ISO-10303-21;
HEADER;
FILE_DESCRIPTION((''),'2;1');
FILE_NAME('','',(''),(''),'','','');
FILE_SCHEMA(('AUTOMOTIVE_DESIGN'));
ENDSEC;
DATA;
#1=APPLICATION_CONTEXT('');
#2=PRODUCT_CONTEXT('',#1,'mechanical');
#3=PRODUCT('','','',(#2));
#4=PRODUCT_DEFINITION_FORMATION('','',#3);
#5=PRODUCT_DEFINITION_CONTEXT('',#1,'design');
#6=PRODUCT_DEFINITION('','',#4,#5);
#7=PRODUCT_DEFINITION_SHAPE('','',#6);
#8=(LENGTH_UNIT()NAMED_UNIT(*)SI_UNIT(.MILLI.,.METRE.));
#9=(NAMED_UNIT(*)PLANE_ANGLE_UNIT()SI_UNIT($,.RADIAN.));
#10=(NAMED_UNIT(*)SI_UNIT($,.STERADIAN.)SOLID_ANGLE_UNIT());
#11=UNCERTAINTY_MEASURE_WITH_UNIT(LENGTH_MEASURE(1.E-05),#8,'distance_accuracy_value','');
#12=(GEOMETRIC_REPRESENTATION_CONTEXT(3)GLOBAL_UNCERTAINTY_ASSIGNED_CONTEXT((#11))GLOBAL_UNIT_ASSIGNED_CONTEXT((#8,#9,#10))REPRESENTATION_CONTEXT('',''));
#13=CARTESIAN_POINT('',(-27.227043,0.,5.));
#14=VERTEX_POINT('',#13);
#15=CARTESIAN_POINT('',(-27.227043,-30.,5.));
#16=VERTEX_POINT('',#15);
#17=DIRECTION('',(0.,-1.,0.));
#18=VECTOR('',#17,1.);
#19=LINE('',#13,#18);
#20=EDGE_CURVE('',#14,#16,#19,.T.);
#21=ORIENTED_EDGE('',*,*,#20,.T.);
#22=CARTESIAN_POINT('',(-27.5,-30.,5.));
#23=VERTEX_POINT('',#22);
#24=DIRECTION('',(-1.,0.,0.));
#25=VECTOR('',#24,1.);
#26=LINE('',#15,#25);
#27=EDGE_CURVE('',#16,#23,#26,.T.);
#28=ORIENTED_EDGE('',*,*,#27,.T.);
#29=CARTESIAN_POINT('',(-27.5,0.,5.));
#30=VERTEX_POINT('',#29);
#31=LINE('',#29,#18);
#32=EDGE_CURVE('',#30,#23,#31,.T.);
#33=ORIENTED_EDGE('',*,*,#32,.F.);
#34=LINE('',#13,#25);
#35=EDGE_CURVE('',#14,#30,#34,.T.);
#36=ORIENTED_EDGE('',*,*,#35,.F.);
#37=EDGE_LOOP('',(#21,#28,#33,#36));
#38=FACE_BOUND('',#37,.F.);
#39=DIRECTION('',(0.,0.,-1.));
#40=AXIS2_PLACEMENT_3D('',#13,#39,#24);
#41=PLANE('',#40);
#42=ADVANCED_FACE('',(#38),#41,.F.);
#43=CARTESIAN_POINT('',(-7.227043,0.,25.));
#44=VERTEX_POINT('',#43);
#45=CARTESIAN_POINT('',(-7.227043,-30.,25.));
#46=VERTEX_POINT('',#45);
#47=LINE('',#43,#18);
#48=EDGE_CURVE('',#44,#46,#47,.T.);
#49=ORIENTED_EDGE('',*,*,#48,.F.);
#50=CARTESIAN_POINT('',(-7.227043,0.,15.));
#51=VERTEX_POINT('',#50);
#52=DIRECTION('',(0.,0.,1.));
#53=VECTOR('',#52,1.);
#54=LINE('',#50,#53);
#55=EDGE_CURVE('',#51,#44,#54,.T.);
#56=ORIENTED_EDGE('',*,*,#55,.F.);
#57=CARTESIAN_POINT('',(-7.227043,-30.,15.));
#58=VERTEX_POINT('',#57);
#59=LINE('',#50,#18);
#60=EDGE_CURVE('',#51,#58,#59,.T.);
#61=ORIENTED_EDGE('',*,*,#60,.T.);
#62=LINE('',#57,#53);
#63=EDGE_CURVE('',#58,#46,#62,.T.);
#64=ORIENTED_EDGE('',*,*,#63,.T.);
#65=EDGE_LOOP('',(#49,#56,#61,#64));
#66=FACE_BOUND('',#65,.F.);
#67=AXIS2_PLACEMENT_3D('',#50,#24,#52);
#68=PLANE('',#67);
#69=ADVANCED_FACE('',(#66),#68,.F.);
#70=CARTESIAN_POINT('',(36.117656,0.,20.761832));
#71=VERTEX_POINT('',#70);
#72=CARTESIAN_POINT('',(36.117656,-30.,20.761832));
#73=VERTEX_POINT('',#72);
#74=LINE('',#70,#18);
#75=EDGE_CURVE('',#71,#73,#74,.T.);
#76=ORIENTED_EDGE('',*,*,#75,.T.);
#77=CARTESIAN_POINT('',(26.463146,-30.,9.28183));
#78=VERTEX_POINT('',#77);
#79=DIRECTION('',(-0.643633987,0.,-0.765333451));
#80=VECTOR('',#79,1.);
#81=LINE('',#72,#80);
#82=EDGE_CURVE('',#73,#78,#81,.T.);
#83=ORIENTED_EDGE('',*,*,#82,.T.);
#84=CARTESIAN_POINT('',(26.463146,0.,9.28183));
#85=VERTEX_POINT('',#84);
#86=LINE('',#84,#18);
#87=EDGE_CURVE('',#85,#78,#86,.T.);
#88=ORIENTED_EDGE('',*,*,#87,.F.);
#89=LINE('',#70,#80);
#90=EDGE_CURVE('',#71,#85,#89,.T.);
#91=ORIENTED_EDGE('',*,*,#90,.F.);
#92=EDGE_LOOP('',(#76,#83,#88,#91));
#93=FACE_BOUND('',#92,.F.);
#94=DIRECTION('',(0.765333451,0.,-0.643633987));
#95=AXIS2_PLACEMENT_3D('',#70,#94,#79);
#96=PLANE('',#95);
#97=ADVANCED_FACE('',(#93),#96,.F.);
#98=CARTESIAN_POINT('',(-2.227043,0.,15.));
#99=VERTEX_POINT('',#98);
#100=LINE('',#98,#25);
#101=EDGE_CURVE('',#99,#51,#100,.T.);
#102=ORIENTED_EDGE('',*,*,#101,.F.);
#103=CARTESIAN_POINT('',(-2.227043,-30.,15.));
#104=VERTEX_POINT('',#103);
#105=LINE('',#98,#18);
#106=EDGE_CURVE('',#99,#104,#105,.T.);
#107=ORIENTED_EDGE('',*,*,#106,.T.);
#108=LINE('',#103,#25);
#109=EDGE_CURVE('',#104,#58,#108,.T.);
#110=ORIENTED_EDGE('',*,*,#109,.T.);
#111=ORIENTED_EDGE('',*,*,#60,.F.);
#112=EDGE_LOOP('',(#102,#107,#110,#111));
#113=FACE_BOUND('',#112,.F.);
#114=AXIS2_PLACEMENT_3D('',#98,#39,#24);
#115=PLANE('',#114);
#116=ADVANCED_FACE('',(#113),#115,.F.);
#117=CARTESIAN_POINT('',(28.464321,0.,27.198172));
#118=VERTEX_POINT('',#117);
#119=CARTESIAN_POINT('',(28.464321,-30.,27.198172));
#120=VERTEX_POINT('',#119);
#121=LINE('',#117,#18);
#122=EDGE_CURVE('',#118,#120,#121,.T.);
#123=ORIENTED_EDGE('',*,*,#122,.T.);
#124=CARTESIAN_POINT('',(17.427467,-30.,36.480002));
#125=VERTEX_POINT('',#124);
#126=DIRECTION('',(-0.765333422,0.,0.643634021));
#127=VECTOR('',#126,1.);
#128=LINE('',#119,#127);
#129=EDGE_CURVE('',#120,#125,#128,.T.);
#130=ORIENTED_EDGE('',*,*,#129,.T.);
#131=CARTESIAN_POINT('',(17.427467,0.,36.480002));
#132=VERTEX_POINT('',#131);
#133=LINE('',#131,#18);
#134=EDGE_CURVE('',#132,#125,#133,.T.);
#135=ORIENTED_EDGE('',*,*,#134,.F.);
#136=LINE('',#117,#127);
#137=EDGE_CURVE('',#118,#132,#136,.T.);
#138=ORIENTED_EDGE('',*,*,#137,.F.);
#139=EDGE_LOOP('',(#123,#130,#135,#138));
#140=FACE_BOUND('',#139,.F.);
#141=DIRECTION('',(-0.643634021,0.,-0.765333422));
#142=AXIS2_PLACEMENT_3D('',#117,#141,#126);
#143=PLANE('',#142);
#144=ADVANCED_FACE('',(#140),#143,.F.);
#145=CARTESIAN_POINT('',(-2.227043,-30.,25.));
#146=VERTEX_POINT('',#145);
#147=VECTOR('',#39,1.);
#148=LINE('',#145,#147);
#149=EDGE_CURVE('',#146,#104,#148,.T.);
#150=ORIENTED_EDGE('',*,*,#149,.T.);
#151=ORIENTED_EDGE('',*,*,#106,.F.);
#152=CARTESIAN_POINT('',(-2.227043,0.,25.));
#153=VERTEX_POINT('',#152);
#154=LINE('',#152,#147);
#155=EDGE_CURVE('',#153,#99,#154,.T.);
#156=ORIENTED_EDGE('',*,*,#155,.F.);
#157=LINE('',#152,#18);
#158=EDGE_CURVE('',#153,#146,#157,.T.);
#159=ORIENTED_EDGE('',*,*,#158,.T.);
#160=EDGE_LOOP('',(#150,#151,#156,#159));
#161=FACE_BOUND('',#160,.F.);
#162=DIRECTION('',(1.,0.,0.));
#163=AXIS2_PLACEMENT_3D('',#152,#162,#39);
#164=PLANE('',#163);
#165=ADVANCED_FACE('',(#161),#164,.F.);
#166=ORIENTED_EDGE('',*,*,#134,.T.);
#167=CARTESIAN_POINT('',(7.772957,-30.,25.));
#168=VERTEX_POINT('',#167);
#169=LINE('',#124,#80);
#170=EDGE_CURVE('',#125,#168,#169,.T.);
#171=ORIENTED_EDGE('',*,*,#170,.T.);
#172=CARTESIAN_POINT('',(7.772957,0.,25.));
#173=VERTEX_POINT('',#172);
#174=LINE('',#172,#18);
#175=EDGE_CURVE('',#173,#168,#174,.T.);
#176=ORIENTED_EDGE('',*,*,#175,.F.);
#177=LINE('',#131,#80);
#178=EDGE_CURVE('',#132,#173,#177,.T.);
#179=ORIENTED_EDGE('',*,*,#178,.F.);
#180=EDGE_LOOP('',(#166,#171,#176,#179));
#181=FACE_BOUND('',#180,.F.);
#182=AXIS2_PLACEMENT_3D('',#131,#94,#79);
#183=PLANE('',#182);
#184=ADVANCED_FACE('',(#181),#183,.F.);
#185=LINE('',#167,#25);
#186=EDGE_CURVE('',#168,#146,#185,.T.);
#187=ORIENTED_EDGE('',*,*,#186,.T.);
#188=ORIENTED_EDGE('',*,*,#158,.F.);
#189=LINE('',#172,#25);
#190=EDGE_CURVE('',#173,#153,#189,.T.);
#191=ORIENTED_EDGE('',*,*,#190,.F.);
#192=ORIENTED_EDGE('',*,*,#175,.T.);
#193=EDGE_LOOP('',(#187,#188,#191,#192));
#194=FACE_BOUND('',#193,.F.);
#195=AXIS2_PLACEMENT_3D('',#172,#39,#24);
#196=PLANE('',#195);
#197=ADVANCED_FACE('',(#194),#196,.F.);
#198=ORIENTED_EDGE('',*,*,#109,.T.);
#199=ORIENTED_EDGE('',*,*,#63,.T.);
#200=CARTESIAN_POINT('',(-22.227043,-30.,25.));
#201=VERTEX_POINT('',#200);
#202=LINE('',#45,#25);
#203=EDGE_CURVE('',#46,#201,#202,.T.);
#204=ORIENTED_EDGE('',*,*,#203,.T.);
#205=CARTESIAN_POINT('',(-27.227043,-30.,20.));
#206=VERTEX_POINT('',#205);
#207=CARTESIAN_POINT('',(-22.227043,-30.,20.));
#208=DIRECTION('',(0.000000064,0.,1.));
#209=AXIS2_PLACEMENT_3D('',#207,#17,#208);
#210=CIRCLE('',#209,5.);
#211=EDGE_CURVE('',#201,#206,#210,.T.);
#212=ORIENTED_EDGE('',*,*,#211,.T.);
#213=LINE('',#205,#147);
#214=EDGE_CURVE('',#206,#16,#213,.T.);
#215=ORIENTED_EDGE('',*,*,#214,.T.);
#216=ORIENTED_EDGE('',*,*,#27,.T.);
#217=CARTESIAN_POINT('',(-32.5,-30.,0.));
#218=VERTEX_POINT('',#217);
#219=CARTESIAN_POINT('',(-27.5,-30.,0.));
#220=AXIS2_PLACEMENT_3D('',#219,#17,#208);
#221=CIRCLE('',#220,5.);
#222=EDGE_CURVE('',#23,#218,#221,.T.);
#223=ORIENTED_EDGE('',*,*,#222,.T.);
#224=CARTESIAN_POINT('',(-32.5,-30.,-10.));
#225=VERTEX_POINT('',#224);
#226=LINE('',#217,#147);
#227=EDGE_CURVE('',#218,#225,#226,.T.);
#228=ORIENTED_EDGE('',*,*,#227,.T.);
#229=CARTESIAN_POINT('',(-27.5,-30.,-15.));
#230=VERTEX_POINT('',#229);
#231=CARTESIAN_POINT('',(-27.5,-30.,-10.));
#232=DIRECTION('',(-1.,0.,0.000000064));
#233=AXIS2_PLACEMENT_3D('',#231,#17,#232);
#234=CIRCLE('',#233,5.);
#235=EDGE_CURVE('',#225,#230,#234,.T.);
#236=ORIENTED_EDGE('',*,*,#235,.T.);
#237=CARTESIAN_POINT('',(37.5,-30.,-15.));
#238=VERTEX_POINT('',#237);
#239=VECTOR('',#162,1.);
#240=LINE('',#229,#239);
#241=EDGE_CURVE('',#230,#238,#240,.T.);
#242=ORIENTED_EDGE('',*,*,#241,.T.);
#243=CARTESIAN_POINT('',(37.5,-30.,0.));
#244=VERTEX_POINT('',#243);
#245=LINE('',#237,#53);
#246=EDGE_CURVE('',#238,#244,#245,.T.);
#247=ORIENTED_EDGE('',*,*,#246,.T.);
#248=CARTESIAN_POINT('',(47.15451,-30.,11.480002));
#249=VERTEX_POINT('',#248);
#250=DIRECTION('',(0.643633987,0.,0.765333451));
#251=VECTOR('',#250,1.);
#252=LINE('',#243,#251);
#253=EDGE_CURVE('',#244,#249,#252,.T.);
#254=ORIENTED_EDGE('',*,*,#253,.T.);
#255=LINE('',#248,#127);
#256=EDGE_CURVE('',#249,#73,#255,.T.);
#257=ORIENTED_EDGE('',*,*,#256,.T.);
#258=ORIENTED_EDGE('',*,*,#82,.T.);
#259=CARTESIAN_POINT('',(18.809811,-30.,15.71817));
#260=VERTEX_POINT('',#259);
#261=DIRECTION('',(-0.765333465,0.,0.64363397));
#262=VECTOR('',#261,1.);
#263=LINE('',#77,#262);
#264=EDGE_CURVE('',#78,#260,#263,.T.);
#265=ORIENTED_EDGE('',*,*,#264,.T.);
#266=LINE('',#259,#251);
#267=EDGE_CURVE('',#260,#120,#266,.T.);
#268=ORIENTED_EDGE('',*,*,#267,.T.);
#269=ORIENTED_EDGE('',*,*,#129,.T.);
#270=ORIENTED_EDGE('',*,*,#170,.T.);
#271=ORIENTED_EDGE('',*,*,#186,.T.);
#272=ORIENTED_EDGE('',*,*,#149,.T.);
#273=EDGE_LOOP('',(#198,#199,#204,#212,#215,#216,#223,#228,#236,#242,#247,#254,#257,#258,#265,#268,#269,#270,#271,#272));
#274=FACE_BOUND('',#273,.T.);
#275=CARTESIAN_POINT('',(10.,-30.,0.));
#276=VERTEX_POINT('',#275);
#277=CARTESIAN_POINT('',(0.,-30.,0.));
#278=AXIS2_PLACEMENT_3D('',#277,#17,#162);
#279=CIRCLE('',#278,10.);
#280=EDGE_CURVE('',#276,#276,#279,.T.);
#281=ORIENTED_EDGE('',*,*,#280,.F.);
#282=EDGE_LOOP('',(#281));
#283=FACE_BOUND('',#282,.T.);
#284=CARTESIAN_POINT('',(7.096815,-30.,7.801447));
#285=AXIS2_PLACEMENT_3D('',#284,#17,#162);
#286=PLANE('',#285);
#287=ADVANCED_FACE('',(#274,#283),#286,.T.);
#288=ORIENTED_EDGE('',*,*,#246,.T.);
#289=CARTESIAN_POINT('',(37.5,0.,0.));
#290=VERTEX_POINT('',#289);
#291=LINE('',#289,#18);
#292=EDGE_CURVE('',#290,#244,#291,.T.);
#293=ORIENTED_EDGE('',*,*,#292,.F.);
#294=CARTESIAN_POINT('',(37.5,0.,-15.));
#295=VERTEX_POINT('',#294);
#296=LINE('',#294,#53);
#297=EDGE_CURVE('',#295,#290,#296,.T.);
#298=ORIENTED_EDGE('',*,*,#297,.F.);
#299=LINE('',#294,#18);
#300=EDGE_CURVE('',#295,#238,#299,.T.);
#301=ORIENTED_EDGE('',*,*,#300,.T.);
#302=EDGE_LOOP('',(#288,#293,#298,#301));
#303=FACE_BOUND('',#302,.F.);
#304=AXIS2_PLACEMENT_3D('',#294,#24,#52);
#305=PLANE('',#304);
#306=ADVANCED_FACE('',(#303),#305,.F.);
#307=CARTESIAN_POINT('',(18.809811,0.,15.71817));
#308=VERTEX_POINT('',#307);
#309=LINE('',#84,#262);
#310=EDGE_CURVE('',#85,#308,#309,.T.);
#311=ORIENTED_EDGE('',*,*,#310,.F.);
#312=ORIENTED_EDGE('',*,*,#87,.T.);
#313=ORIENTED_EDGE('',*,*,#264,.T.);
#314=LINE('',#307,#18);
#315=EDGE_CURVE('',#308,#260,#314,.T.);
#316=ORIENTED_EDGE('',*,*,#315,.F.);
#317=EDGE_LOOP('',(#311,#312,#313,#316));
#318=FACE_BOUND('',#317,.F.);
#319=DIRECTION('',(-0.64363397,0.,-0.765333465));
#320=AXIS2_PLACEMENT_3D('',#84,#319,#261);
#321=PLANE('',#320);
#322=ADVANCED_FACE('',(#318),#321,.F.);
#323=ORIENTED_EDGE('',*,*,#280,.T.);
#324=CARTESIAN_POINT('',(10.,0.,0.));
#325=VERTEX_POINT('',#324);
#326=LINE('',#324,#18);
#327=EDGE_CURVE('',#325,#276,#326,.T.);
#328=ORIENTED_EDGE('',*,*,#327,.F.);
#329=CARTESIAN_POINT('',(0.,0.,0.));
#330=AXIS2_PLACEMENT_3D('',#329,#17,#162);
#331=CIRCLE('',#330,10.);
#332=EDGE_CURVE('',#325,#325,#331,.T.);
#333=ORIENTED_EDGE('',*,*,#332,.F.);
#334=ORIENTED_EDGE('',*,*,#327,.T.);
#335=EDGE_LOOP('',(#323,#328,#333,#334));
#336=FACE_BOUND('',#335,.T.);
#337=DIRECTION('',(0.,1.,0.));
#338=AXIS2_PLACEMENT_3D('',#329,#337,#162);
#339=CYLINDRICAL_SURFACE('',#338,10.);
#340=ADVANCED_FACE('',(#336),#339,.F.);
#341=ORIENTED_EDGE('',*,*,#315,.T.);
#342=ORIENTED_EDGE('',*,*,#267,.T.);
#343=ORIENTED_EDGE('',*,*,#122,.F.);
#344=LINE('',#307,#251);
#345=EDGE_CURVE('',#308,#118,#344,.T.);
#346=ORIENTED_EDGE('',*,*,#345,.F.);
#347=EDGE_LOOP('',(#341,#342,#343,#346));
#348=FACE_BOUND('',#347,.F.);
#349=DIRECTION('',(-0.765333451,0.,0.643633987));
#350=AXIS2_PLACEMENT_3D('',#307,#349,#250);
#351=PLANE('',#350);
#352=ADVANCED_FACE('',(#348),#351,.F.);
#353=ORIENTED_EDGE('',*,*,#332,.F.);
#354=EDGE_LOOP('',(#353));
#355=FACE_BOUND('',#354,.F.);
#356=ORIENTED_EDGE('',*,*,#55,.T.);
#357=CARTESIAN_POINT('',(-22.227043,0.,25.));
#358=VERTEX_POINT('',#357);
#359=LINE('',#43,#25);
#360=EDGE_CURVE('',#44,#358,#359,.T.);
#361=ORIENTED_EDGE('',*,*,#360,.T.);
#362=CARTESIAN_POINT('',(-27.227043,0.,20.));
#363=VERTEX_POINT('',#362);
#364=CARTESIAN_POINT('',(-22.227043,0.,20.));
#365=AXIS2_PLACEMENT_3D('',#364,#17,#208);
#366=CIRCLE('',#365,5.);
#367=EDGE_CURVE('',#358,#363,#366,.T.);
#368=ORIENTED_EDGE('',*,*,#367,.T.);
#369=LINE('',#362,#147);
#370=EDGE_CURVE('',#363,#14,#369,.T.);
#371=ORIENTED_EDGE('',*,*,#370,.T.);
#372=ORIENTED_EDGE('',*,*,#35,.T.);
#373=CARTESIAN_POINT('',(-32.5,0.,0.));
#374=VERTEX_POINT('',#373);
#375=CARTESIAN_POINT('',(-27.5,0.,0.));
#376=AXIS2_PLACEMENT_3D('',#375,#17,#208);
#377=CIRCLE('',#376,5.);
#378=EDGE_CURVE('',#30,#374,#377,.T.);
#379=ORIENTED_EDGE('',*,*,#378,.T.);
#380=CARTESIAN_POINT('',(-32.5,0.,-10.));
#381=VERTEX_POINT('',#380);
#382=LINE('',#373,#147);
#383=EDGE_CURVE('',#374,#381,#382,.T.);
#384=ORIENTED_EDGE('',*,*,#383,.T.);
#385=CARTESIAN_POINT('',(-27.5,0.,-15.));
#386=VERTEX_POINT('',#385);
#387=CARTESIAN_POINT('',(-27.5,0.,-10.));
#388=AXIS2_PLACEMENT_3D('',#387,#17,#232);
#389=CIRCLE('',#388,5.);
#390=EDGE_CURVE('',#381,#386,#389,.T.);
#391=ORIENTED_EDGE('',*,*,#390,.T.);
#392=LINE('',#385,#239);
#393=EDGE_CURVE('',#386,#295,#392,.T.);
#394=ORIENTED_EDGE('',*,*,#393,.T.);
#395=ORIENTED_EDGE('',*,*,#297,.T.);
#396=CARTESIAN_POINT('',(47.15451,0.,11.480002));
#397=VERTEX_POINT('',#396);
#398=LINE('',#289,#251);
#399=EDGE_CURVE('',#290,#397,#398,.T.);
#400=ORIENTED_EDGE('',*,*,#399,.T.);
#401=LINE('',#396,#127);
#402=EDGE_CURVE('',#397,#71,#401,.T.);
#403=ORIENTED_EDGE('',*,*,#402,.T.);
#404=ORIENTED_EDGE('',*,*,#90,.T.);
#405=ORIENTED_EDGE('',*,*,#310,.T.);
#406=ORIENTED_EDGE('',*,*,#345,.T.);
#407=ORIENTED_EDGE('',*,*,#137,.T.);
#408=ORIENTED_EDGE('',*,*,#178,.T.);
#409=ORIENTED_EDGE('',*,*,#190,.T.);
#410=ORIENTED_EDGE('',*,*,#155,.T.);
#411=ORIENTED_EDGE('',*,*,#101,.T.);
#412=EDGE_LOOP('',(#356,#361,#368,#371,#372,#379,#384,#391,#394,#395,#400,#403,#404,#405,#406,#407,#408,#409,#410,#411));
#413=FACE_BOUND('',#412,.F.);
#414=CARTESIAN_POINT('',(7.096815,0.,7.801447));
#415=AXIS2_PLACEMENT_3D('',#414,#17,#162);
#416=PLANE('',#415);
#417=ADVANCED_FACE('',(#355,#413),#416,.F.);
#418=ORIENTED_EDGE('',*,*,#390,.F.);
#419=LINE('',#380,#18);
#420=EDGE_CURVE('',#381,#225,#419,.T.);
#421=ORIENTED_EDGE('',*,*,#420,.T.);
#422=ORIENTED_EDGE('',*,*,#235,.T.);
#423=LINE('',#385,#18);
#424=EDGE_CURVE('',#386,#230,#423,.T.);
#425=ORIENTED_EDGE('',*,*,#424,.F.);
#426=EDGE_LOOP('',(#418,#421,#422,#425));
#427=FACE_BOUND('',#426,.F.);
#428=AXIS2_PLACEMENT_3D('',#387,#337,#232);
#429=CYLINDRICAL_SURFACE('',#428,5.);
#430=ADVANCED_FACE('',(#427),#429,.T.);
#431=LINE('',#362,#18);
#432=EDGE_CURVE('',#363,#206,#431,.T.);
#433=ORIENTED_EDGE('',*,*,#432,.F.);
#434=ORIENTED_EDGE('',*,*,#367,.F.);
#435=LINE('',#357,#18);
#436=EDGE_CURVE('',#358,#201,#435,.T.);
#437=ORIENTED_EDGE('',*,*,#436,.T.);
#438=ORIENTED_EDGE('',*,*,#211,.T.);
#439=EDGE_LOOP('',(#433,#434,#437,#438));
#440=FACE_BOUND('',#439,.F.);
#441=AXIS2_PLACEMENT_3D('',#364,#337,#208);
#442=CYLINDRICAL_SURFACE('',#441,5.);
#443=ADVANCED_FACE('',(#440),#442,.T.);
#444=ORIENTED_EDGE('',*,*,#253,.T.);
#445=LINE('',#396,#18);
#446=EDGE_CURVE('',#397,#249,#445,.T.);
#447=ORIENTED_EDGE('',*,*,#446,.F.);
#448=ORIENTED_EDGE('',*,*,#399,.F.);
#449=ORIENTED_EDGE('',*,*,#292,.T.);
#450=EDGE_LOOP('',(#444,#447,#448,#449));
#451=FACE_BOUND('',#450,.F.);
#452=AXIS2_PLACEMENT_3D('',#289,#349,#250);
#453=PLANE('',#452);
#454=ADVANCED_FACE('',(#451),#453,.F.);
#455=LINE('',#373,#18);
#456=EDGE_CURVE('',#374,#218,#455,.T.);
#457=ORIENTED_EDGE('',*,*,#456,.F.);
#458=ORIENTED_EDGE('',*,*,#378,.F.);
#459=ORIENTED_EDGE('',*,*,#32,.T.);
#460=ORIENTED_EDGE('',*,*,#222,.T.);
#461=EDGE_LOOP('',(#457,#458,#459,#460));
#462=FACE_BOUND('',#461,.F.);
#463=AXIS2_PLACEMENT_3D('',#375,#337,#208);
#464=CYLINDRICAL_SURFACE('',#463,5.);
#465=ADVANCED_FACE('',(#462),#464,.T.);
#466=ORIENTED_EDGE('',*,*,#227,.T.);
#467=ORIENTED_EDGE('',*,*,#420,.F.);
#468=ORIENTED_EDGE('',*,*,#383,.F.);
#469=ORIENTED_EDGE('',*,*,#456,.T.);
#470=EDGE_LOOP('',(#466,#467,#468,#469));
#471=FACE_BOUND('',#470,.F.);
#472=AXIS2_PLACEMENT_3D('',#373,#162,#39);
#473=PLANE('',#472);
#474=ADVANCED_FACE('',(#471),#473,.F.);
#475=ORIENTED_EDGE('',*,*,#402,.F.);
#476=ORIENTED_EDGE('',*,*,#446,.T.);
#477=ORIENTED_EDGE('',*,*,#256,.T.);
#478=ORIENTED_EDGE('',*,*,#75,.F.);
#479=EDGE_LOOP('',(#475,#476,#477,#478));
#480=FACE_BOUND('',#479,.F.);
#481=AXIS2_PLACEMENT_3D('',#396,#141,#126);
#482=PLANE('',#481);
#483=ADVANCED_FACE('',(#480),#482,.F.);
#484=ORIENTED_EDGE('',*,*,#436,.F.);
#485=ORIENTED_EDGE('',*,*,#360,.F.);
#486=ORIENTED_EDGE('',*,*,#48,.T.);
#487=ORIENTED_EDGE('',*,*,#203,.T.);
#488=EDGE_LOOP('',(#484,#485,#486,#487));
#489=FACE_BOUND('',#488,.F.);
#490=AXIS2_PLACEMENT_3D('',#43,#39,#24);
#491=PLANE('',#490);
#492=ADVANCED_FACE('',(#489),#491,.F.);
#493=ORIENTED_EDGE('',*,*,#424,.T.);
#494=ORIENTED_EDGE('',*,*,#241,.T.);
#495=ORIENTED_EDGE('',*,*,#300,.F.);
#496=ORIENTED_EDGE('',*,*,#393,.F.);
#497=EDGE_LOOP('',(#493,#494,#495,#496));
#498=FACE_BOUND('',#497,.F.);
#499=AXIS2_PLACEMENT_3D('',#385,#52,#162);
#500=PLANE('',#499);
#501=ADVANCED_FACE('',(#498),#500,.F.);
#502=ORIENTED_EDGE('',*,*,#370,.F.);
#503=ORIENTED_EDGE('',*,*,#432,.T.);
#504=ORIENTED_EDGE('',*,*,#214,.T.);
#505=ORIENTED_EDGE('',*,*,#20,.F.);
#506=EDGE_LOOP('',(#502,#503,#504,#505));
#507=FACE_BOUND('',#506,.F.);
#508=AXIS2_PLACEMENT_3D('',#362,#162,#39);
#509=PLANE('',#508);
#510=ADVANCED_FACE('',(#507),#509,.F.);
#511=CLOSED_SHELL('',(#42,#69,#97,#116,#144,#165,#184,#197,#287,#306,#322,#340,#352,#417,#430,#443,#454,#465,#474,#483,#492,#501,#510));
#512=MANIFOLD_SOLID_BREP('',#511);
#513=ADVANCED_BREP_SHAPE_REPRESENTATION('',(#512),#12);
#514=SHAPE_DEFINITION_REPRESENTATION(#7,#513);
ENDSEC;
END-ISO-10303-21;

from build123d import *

# Parameters (mm, degrees)
F0_R     = 10
F1_DEPTH = 30


with BuildPart() as f1:
    # F0 (on Front) → F1 (new body)
    with BuildSketch(Plane.XZ):
        with BuildLine():
            ThreePointArc((-32.5, -10), (-31.035534, -13.535534), (-27.5, -15))
            Line((-27.5, -15), (37.5, -15))
            Line((37.5, -15), (37.5, 0))
            Line((37.5, 0), (47.15451, 11.480002))
            Line((47.15451, 11.480002), (36.117656, 20.761832))
            Line((36.117656, 20.761832), (26.463146, 9.28183))
            Line((26.463146, 9.28183), (18.809811, 15.71817))
            Line((18.809811, 15.71817), (28.464321, 27.198172))
            Line((28.464321, 27.198172), (17.427467, 36.480002))
            Line((17.427467, 36.480002), (7.772957, 25))
            Line((7.772957, 25), (-2.227043, 25))
            Line((-2.227043, 25), (-2.227043, 15))
            Line((-2.227043, 15), (-7.227043, 15))
            Line((-7.227043, 15), (-7.227043, 25))
            Line((-7.227043, 25), (-22.227043, 25))
            ThreePointArc((-22.227043, 25), (-25.762577, 23.535534), (-27.227043, 20))
            Line((-27.227043, 20), (-27.227043, 5))
            Line((-27.227043, 5), (-27.5, 5))
            ThreePointArc((-27.5, 5), (-31.035534, 3.535534), (-32.5, 0))
            Line((-32.5, 0), (-32.5, -10))
        make_face()
        Circle(F0_R, mode=Mode.SUBTRACT)
    extrude(amount=F1_DEPTH)


solid = f1.part
